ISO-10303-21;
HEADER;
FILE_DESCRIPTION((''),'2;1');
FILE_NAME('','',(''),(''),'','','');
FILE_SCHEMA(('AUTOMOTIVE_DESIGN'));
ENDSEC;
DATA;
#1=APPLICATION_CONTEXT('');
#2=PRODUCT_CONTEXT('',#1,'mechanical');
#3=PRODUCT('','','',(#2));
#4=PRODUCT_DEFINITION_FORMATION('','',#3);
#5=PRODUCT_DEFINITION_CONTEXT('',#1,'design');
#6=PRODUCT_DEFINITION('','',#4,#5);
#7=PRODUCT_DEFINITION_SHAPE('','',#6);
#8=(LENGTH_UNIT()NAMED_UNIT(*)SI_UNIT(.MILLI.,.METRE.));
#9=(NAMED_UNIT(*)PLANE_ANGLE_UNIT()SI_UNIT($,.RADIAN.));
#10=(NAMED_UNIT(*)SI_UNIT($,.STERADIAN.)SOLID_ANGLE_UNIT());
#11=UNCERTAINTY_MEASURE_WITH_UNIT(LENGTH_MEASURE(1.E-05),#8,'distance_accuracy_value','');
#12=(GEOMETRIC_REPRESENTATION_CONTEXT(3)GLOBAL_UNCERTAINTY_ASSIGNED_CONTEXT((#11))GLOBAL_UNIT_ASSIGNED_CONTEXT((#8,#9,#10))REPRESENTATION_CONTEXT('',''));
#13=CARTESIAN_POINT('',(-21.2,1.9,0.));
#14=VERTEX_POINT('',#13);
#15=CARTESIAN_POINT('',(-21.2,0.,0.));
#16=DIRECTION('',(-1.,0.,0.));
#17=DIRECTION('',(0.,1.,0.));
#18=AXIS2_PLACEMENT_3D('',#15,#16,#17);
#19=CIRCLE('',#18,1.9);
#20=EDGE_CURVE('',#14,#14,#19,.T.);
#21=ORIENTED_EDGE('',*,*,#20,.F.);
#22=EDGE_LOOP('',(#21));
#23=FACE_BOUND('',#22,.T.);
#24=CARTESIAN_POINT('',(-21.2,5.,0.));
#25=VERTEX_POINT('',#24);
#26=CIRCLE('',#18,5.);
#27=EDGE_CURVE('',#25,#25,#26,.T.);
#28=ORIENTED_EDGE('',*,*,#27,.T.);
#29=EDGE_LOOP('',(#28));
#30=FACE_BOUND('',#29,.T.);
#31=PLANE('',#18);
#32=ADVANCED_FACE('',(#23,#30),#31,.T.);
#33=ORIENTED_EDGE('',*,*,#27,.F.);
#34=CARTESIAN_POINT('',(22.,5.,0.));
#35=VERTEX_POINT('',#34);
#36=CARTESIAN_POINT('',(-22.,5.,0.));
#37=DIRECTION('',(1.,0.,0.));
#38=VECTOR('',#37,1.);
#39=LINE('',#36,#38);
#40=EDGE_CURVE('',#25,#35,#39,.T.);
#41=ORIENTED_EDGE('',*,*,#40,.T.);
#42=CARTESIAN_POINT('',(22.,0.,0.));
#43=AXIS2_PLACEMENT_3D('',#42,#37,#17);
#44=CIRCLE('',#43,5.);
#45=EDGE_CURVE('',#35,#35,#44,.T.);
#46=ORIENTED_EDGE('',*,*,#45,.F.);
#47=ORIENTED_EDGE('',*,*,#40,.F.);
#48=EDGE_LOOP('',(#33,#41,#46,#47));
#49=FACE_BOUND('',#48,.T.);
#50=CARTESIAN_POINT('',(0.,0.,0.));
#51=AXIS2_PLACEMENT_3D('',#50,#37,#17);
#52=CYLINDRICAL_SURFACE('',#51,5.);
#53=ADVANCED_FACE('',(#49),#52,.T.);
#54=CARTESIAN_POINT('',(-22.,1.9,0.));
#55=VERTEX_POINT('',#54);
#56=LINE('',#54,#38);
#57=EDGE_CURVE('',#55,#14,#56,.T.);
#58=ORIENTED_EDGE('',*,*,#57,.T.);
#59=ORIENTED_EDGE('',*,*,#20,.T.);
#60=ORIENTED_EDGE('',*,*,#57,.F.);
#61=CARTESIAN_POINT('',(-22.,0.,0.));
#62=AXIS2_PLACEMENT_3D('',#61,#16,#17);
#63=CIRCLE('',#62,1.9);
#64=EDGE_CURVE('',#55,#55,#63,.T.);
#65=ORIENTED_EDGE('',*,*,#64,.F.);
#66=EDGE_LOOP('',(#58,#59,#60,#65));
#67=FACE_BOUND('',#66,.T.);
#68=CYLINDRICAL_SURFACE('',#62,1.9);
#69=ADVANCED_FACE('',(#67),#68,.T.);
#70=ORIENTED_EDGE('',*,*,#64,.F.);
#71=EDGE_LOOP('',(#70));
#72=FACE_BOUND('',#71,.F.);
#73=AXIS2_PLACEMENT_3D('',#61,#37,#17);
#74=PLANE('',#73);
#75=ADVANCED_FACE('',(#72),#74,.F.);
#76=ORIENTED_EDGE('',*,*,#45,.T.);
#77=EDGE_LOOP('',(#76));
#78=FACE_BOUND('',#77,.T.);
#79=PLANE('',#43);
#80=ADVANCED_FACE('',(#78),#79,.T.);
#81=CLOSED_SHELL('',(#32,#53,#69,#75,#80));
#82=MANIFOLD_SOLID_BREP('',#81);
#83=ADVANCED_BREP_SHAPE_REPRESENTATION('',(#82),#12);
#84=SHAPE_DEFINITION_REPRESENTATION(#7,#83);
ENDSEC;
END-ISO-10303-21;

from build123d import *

# Parameters (mm, degrees)
SKETCH_R      = 5
PAD_DEPTH     = 22
SKETCH001_R   = 5
SKETCH001_R_2 = 1.9
POCKET_DEPTH  = 0.8


with BuildPart() as part:
    # Sketch → Pad (new body, symmetric)
    with BuildSketch(Plane.YZ):
        Circle(SKETCH_R)
    extrude(amount=PAD_DEPTH, both=True)

    # Sketch001 (on Face2 of Pad) → Pocket (cut)
    with BuildSketch(Plane(origin=(-22, 0, 0), x_dir=(0, 1, 0), z_dir=(-1, 0, 0))):
        Circle(SKETCH001_R)
        Circle(SKETCH001_R_2, mode=Mode.SUBTRACT)
    extrude(amount=-POCKET_DEPTH, mode=Mode.SUBTRACT)


solid = part.part
